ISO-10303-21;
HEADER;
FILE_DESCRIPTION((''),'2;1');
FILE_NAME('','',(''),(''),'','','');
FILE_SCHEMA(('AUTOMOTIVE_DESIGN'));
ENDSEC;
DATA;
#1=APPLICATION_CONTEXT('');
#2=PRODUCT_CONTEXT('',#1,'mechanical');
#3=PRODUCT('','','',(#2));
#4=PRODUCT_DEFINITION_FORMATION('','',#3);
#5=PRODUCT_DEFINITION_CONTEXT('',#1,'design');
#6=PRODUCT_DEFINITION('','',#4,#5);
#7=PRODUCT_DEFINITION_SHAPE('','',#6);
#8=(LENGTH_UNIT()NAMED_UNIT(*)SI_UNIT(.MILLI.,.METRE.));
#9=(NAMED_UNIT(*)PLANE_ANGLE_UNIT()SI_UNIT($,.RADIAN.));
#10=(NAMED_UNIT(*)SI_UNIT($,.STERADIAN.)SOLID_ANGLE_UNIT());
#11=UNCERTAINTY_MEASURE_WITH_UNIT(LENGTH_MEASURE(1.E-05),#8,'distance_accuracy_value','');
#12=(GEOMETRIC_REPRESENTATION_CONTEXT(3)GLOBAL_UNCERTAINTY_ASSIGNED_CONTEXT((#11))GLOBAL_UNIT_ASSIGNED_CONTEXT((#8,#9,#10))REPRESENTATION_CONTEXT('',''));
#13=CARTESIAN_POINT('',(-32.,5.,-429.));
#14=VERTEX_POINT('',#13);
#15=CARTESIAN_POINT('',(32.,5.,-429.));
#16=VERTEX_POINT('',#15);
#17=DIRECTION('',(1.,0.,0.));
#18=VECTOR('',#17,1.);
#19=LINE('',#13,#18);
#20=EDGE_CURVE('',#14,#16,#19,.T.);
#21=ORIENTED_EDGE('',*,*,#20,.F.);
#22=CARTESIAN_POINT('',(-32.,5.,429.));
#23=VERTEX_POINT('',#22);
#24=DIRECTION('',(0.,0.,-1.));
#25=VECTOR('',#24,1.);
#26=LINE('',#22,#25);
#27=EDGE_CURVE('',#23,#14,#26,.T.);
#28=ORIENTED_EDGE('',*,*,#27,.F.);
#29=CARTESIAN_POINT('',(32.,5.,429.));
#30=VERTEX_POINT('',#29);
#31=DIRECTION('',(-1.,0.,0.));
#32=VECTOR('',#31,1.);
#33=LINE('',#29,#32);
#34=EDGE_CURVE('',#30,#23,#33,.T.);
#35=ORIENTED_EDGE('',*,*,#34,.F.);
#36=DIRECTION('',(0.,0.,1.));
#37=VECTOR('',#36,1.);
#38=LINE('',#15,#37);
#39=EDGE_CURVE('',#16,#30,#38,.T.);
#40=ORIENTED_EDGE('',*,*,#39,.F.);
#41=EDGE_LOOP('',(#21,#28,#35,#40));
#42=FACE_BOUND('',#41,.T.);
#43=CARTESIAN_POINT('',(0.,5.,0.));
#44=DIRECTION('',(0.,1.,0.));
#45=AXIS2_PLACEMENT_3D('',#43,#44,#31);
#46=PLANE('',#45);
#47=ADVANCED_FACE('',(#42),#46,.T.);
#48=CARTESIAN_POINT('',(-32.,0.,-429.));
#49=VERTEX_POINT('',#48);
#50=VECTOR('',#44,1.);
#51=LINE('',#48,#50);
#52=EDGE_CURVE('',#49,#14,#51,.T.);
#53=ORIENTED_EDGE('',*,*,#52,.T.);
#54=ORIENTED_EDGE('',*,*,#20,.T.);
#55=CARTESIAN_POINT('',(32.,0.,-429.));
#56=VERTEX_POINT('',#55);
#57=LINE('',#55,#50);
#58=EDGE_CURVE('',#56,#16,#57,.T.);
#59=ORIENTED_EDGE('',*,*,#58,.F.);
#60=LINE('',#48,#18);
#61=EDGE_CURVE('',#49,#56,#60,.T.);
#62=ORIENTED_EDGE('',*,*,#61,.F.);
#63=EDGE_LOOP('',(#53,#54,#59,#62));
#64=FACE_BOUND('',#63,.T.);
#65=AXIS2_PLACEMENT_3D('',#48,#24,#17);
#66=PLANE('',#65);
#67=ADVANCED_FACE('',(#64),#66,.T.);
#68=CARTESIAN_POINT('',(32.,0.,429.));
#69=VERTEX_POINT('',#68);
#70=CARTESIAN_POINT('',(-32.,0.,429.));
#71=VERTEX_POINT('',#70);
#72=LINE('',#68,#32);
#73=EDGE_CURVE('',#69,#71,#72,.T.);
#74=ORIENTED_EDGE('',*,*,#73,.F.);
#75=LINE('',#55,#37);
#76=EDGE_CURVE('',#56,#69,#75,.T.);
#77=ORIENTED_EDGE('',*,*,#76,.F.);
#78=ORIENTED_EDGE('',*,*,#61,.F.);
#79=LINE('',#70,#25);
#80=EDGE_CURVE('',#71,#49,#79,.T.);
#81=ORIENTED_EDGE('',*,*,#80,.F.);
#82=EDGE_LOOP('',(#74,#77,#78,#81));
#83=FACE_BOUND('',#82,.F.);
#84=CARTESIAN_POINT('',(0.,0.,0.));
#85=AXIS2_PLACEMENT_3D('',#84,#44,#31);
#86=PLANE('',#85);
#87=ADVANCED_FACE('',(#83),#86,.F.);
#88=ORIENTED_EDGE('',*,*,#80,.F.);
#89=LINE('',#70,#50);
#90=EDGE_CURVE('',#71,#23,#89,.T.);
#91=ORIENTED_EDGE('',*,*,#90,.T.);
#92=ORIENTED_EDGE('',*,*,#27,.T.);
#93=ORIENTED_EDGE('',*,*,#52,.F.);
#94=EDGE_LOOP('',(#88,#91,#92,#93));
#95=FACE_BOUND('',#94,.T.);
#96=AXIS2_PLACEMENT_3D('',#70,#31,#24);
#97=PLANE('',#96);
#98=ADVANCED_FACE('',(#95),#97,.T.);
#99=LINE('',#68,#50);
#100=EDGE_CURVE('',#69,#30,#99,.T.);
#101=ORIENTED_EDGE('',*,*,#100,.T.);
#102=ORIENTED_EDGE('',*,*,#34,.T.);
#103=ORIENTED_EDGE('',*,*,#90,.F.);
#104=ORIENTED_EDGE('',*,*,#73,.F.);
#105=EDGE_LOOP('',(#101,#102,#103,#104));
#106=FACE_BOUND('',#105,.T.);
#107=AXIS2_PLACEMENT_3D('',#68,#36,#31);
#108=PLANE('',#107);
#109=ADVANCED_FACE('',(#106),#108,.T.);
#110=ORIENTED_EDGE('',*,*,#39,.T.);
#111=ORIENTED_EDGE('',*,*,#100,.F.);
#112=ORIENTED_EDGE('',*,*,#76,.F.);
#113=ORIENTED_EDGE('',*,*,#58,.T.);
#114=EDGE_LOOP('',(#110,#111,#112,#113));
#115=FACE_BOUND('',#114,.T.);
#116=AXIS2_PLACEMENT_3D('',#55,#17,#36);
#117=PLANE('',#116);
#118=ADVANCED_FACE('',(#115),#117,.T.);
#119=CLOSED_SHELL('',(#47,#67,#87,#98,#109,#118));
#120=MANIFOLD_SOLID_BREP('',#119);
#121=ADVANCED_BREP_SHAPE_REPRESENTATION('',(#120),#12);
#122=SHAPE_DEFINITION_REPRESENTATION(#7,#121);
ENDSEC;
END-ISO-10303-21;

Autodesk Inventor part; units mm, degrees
ref_plane "YZ Plane" through (0, 0, 0) normal (1, 0, 0) x (0, 1, 0)
ref_plane "XZ Plane" through (0, 0, 0) normal (0, 1, 0) x (-1, 0, 0)
ref_plane "XY Plane" through (0, 0, 0) normal (0, 0, 1) x (1, 0, 0)
sketch "Эскиз1" plane through (0, 0, 0) normal (0, 1, 0) x (-1, 0, 0)
  line L0 (-32, 429) -> (32, 429)
  line L1 (32, 429) -> (32, -429)
  line L2 (32, -429) -> (-32, -429)
  line L3 (-32, -429) -> (-32, 429)
  line L4 (-32, 429) -> (32, -429) construction
  line L5 (32, 429) -> (-32, -429) construction
  point P0 (0, 0)
  dimension "d0" = 64
  dimension "d1" = 858
extrude "Пластина1" add sketch "Эскиз1" along normal blind 5
equation "\"d2\" = Толщина"
equation "\"Радиус_гибки\" = Толщина"
equation "\"Ширина_просечки\" = Толщина"
equation "\"Глубина_просечки\" = 0.5 * Толщина"
equation "\"Радиус_перехода\" = Радиус_гибки"
equation "\"Радиус_Якоби\" = Радиус_гибки"
equation "\"Размер_зазора\" = Толщина"
equation "\"Толщина\" = 5"
properties part number "GBK bottom 0132" material "Steel"
